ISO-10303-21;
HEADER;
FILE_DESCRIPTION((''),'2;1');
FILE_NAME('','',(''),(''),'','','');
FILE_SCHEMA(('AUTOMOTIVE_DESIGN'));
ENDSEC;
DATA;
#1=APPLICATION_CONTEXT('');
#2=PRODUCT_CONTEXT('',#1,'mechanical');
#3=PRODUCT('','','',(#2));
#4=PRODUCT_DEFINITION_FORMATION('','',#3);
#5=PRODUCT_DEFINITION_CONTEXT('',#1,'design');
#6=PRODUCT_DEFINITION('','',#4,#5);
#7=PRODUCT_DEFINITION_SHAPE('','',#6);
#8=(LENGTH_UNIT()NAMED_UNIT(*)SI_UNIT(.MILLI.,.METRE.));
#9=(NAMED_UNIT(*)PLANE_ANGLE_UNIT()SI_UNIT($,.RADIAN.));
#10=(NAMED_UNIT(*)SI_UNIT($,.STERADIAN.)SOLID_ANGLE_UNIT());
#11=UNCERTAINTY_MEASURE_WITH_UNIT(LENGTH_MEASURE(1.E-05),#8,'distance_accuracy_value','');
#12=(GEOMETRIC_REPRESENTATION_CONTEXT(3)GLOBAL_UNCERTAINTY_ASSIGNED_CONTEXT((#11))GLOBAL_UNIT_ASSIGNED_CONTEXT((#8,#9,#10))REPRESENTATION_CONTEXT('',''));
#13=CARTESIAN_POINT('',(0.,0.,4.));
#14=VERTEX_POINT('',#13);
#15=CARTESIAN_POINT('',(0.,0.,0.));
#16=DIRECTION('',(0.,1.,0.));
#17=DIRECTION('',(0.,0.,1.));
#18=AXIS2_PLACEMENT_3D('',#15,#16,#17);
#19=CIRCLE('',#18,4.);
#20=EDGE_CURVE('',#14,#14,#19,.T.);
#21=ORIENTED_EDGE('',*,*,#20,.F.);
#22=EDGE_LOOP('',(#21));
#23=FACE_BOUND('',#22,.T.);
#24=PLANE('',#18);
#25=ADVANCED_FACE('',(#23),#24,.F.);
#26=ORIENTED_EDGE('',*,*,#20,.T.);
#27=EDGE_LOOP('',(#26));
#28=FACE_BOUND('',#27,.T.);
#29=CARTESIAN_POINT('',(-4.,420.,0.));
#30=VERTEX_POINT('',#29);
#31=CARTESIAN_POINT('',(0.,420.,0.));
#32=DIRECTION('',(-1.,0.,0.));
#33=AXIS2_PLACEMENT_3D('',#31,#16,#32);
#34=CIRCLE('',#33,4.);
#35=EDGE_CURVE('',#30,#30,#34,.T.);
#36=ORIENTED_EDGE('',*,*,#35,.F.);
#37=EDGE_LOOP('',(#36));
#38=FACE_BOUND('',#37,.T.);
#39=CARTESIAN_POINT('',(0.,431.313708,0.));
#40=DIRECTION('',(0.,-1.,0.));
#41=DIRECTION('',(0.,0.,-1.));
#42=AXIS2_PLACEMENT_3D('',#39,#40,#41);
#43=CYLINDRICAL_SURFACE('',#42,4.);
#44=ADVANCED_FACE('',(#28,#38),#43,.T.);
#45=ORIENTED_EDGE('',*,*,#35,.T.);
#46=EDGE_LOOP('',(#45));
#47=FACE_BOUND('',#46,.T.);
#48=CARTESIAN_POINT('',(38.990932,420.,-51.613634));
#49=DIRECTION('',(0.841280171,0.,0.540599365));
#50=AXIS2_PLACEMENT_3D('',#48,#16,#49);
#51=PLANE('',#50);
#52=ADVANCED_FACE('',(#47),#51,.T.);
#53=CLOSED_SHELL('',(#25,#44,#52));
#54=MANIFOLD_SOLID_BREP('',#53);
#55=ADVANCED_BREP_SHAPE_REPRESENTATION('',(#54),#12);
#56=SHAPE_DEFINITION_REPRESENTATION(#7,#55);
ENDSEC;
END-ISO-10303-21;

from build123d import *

# Parameters (mm, degrees)
SKETCH1_R           = 4
BOSS_EXTRUDE1_DEPTH = 420


with BuildPart() as part:
    # Sketch1 → Boss-Extrude1 (new body)
    with BuildSketch(Plane(origin=(0, 0, 0), x_dir=(1, 0, 0), z_dir=(0, 1, 0))):
        with Locations(Location((0, 0, 0), (0, 0, 180))):
            Circle(SKETCH1_R)
    extrude(amount=BOSS_EXTRUDE1_DEPTH)


solid = part.part
